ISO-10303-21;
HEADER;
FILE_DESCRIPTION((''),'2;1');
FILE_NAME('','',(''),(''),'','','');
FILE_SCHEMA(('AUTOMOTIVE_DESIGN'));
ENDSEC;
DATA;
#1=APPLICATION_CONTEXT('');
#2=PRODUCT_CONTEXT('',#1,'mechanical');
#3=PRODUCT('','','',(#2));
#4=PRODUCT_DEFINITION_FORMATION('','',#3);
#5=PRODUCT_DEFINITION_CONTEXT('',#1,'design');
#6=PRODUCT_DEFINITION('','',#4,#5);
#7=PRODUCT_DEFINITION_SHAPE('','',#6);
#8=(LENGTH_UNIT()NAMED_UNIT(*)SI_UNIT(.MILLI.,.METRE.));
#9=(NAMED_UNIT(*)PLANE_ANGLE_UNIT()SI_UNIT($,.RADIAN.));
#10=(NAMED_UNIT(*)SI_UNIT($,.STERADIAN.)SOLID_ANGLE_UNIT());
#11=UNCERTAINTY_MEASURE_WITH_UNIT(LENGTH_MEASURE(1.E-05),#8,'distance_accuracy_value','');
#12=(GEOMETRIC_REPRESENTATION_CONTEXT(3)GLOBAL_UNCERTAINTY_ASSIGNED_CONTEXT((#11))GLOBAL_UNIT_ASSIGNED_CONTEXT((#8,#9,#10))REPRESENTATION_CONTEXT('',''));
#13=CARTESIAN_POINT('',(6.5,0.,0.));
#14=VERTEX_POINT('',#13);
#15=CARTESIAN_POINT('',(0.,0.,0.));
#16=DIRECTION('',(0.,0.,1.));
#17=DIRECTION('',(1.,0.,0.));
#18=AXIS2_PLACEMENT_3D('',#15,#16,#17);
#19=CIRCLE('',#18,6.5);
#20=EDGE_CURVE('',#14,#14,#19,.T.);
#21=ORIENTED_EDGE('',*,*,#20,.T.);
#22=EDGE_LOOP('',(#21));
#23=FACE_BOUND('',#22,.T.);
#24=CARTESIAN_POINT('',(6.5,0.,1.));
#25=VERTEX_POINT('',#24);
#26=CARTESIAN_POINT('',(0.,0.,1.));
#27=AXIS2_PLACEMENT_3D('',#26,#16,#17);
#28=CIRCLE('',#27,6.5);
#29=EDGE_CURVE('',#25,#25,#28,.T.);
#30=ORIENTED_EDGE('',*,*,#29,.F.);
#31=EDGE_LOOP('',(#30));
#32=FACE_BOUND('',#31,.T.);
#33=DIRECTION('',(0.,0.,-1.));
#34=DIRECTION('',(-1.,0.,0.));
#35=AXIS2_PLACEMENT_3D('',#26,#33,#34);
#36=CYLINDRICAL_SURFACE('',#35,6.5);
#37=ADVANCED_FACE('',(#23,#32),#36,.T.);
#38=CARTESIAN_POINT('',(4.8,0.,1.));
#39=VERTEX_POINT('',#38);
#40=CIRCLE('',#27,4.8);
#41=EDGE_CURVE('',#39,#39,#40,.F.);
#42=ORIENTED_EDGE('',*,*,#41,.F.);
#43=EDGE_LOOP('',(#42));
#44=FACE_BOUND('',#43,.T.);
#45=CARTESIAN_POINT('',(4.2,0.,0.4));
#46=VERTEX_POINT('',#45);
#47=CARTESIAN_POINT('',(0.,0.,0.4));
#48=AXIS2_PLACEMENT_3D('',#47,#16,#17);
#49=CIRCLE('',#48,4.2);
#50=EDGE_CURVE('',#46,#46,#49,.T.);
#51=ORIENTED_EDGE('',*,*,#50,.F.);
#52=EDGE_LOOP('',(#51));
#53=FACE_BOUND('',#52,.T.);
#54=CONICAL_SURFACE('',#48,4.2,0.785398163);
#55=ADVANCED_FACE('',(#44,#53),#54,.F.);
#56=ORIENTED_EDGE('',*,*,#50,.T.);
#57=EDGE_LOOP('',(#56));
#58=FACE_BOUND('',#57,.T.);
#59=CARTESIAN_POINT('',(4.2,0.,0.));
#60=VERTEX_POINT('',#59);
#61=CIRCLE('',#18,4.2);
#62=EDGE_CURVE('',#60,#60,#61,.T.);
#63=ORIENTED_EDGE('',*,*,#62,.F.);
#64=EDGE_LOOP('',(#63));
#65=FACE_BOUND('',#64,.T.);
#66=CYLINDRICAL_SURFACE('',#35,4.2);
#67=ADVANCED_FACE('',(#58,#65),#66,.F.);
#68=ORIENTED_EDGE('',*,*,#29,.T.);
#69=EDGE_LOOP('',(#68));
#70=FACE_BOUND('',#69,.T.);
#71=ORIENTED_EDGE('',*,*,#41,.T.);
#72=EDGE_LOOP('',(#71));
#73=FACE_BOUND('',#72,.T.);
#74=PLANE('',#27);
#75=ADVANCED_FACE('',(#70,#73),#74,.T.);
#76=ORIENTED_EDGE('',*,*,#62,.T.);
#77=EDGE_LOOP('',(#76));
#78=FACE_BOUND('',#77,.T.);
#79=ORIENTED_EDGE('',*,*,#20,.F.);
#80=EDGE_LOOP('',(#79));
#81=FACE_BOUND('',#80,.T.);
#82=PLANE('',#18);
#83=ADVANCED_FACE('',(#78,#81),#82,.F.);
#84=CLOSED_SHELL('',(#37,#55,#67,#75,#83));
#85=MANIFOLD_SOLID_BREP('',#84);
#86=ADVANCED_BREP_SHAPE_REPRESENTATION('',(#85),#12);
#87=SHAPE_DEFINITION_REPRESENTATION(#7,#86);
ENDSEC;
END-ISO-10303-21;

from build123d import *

# Parameters (mm, degrees)
SKETCH1_R           = 6.5
SKETCH1_R_2         = 4.2
BOSS_EXTRUDE1_DEPTH = 1
CHAMFER1_SIZE       = 0.6


with BuildPart() as part:
    # Sketch1 → Boss-Extrude1 (new body)
    with BuildSketch(Plane.XY):
        Circle(SKETCH1_R)
        Circle(SKETCH1_R_2, mode=Mode.SUBTRACT)
    extrude(amount=BOSS_EXTRUDE1_DEPTH)

    # Chamfer1
    chamfer1_edges = [part.edges().sort_by_distance(p)[0] for p in [
        (-4.2, 0, 1),
    ]]
    chamfer(chamfer1_edges, length=CHAMFER1_SIZE)


solid = part.part
